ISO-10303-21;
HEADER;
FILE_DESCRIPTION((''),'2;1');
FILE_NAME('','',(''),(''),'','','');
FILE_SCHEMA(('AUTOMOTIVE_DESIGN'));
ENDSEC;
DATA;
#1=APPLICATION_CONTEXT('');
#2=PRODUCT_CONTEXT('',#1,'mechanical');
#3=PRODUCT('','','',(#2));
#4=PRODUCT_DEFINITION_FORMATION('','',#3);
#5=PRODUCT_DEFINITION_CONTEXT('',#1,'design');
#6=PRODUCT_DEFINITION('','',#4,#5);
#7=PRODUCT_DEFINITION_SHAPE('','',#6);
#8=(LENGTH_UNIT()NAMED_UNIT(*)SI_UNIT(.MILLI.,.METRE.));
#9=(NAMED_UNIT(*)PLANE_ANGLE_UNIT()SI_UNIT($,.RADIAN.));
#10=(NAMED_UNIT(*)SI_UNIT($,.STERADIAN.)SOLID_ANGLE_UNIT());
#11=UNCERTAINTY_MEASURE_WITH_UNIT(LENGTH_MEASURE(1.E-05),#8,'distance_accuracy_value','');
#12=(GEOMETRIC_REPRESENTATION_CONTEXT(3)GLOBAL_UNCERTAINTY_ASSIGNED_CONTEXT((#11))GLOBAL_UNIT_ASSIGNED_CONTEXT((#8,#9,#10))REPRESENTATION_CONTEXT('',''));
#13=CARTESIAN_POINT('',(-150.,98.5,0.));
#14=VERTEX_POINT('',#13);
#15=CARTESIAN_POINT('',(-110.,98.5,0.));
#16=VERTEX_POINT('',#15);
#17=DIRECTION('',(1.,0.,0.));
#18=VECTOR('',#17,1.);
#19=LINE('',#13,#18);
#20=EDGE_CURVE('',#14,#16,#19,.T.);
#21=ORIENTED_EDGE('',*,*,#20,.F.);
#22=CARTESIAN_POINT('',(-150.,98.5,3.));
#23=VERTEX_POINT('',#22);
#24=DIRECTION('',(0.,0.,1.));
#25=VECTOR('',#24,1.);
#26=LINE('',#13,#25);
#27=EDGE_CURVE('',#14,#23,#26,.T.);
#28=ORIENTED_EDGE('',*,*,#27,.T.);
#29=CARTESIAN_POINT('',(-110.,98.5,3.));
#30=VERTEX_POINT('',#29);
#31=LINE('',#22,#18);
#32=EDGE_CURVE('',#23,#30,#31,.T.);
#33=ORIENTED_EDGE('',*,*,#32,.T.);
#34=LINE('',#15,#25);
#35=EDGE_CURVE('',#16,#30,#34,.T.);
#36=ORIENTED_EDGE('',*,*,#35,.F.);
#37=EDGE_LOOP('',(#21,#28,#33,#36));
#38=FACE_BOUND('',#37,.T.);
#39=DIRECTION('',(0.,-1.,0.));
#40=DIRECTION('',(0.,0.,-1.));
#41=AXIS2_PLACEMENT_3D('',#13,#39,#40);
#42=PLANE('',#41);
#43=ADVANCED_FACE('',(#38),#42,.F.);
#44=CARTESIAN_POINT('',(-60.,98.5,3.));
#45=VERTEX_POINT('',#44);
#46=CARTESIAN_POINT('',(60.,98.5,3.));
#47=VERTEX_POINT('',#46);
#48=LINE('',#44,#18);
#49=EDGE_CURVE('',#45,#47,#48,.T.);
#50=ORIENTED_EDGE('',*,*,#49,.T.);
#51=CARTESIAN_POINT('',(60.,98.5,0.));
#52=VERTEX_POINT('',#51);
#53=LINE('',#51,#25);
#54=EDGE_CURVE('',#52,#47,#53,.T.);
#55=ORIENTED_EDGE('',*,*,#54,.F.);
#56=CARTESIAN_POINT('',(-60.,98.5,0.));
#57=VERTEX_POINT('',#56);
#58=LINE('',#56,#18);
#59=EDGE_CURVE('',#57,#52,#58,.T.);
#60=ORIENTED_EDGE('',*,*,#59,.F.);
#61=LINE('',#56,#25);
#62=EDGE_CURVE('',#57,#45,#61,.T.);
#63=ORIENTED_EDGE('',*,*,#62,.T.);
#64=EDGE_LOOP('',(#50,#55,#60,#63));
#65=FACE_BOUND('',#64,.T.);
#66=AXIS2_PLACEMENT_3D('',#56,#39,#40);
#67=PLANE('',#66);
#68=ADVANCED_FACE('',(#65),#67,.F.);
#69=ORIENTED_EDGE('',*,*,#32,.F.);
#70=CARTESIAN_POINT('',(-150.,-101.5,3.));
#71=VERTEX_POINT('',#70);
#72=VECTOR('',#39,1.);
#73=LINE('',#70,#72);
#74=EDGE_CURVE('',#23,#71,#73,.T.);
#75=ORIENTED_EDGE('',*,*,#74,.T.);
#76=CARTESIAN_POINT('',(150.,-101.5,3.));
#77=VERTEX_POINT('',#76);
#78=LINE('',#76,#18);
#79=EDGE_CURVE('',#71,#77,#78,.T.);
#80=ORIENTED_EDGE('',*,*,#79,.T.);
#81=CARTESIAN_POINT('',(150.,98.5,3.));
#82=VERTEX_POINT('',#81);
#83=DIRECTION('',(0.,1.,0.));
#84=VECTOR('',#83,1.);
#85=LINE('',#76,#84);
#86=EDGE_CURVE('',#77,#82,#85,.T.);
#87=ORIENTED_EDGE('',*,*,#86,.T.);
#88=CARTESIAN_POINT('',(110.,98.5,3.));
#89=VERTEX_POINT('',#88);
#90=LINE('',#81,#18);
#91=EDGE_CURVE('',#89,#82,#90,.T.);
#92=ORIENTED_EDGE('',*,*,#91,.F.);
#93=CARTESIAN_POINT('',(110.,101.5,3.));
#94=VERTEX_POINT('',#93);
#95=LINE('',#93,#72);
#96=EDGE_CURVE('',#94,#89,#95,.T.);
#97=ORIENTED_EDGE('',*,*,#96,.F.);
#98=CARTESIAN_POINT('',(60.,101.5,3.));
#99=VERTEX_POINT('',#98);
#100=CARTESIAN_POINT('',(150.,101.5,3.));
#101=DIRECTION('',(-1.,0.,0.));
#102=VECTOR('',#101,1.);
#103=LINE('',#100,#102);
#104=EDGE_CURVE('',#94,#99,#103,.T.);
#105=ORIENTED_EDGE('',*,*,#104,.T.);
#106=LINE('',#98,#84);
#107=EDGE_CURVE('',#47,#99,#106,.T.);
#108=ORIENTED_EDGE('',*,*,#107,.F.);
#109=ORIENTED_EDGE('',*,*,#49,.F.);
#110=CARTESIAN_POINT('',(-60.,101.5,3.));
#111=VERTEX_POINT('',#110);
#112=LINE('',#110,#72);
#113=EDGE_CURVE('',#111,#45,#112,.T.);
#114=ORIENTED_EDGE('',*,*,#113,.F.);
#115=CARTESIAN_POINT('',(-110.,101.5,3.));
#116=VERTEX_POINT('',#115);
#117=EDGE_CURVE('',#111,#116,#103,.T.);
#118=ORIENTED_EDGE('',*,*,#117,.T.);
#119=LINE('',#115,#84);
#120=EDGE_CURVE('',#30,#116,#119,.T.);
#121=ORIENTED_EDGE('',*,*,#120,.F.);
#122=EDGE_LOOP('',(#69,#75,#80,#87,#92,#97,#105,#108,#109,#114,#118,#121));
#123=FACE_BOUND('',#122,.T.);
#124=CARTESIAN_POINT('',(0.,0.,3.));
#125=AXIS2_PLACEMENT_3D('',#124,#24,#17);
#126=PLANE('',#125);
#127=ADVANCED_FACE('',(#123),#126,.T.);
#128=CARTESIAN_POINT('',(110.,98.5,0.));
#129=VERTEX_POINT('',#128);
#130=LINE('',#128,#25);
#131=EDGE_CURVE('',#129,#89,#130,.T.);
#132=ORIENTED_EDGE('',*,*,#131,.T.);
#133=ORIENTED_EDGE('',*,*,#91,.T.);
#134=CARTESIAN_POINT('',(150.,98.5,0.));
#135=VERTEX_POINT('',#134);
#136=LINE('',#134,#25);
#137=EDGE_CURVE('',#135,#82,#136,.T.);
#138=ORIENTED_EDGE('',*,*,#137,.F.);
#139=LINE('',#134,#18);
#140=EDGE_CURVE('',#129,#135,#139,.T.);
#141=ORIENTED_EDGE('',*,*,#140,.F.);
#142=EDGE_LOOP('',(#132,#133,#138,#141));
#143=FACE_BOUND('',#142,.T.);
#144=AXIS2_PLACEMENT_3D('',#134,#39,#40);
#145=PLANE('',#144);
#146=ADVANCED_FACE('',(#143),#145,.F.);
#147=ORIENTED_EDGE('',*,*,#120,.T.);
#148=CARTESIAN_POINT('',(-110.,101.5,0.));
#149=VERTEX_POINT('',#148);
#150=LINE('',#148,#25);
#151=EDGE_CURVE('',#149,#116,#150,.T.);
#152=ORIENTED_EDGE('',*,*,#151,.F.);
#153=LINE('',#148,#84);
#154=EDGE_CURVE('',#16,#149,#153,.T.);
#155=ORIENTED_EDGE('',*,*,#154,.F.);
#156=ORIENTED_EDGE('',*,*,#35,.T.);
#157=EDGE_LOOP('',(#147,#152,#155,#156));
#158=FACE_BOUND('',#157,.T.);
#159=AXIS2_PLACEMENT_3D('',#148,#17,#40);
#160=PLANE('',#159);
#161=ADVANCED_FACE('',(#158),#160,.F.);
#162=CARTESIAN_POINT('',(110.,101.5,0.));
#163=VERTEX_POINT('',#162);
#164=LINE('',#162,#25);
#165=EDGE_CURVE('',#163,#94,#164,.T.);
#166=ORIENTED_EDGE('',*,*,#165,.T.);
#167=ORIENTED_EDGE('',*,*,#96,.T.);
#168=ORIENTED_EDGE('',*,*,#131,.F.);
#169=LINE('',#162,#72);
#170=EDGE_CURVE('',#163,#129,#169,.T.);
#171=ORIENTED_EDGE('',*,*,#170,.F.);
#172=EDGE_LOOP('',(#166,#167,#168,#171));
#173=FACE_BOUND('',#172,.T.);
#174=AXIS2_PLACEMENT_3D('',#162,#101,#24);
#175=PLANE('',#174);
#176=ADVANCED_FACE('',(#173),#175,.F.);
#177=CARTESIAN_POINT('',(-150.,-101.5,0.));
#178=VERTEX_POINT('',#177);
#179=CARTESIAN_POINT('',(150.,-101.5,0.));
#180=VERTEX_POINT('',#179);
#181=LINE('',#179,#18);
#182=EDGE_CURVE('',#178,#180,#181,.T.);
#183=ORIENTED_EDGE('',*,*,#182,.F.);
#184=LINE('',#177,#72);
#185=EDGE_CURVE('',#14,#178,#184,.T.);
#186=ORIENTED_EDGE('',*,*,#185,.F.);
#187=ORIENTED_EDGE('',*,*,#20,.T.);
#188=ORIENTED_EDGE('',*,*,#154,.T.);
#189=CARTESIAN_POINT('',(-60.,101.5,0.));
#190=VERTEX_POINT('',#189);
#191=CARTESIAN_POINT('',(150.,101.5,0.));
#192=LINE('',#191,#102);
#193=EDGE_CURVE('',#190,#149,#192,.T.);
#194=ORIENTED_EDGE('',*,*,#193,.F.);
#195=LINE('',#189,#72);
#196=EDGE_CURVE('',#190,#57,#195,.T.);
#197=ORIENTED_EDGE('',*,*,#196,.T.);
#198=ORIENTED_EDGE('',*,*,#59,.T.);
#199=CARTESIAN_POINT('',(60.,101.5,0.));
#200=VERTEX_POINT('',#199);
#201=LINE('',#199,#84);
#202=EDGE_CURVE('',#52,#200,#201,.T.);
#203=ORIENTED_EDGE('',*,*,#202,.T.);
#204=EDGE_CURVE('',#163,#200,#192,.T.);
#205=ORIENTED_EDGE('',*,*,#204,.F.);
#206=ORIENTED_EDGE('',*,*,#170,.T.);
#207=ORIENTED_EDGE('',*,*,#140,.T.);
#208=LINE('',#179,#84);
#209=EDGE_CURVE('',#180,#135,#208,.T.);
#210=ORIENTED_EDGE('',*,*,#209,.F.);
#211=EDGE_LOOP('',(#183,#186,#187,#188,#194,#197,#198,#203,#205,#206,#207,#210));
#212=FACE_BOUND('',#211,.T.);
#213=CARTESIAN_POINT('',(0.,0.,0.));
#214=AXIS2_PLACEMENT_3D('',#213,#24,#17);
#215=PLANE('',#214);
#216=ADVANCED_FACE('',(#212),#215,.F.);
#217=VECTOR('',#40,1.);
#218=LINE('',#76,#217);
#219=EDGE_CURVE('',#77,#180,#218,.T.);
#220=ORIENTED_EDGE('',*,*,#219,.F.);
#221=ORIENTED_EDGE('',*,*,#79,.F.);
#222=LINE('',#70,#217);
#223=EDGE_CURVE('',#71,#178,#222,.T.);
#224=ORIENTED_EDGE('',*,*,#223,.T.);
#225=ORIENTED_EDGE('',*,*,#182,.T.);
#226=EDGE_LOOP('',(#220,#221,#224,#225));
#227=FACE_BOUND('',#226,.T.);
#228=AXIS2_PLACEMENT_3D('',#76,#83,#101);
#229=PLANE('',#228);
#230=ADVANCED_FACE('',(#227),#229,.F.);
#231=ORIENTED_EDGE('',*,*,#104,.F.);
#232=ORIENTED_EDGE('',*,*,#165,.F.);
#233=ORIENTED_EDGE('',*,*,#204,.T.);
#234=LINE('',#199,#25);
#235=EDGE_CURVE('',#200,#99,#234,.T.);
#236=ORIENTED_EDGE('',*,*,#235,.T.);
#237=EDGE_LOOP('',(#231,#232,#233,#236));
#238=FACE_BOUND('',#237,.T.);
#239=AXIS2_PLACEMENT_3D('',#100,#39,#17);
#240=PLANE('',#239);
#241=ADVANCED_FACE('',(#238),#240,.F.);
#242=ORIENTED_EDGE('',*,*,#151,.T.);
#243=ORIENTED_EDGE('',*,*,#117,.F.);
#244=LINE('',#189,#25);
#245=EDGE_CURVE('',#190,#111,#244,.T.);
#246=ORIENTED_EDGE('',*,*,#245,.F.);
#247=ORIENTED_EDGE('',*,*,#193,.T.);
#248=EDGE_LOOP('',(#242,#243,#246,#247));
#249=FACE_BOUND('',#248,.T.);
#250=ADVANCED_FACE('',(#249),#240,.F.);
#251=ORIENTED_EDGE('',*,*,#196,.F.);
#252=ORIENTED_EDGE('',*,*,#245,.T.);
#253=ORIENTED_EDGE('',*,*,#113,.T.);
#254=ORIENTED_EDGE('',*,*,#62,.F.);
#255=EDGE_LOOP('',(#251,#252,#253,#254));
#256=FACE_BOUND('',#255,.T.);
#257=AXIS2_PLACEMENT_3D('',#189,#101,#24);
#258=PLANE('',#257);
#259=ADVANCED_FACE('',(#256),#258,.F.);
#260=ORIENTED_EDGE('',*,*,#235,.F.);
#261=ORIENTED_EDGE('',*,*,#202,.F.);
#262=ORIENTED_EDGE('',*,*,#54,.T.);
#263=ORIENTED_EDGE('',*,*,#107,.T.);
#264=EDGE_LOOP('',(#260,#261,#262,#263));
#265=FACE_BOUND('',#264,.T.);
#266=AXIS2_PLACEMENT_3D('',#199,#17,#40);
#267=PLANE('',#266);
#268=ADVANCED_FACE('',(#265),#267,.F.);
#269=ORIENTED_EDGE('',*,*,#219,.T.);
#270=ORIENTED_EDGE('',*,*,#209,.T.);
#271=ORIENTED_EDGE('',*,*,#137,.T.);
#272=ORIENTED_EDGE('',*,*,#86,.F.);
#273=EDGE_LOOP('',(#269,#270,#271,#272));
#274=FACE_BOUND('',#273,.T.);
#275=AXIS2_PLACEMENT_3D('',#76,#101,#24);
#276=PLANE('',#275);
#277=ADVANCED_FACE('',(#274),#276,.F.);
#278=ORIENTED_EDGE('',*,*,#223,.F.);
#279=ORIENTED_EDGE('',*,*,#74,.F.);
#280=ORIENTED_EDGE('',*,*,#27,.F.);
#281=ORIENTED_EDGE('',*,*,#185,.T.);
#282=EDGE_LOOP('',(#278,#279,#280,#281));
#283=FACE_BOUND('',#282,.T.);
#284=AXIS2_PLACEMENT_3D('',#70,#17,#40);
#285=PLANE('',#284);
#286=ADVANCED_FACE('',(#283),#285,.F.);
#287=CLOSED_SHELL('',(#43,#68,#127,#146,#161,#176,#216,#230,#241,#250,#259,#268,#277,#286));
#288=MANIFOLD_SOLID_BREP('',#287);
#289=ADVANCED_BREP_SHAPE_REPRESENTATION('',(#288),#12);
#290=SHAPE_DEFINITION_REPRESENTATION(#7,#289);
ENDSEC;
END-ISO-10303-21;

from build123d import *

# Parameters (mm, degrees)
ESQUISSE1_W             = 300
ESQUISSE1_H             = 203
BOSS_EXTRU_1_DEPTH      = 3
ESQUISSE2_W             = 40
ESQUISSE2_H             = 3
ESQUISSE2_W_2           = 120
ENL_V_MAT_EXTRU_1_DEPTH = 3


with BuildPart() as part:
    # Esquisse1 → Boss.-Extru.1 (new body)
    with BuildSketch(Plane.XY):
        Rectangle(ESQUISSE1_W, ESQUISSE1_H)
    extrude(amount=BOSS_EXTRU_1_DEPTH)

    # Esquisse2 → Enlèv. mat.-Extru.1 (cut)
    with BuildSketch(Plane.XY.offset(3)):
        with Locations((-130, 100)):
            Rectangle(ESQUISSE2_W, ESQUISSE2_H)
        with Locations((0, 100)):
            Rectangle(ESQUISSE2_W_2, ESQUISSE2_H)
        with Locations((130, 100)):
            Rectangle(ESQUISSE2_W, ESQUISSE2_H)
    extrude(amount=-ENL_V_MAT_EXTRU_1_DEPTH, mode=Mode.SUBTRACT)


solid = part.part
